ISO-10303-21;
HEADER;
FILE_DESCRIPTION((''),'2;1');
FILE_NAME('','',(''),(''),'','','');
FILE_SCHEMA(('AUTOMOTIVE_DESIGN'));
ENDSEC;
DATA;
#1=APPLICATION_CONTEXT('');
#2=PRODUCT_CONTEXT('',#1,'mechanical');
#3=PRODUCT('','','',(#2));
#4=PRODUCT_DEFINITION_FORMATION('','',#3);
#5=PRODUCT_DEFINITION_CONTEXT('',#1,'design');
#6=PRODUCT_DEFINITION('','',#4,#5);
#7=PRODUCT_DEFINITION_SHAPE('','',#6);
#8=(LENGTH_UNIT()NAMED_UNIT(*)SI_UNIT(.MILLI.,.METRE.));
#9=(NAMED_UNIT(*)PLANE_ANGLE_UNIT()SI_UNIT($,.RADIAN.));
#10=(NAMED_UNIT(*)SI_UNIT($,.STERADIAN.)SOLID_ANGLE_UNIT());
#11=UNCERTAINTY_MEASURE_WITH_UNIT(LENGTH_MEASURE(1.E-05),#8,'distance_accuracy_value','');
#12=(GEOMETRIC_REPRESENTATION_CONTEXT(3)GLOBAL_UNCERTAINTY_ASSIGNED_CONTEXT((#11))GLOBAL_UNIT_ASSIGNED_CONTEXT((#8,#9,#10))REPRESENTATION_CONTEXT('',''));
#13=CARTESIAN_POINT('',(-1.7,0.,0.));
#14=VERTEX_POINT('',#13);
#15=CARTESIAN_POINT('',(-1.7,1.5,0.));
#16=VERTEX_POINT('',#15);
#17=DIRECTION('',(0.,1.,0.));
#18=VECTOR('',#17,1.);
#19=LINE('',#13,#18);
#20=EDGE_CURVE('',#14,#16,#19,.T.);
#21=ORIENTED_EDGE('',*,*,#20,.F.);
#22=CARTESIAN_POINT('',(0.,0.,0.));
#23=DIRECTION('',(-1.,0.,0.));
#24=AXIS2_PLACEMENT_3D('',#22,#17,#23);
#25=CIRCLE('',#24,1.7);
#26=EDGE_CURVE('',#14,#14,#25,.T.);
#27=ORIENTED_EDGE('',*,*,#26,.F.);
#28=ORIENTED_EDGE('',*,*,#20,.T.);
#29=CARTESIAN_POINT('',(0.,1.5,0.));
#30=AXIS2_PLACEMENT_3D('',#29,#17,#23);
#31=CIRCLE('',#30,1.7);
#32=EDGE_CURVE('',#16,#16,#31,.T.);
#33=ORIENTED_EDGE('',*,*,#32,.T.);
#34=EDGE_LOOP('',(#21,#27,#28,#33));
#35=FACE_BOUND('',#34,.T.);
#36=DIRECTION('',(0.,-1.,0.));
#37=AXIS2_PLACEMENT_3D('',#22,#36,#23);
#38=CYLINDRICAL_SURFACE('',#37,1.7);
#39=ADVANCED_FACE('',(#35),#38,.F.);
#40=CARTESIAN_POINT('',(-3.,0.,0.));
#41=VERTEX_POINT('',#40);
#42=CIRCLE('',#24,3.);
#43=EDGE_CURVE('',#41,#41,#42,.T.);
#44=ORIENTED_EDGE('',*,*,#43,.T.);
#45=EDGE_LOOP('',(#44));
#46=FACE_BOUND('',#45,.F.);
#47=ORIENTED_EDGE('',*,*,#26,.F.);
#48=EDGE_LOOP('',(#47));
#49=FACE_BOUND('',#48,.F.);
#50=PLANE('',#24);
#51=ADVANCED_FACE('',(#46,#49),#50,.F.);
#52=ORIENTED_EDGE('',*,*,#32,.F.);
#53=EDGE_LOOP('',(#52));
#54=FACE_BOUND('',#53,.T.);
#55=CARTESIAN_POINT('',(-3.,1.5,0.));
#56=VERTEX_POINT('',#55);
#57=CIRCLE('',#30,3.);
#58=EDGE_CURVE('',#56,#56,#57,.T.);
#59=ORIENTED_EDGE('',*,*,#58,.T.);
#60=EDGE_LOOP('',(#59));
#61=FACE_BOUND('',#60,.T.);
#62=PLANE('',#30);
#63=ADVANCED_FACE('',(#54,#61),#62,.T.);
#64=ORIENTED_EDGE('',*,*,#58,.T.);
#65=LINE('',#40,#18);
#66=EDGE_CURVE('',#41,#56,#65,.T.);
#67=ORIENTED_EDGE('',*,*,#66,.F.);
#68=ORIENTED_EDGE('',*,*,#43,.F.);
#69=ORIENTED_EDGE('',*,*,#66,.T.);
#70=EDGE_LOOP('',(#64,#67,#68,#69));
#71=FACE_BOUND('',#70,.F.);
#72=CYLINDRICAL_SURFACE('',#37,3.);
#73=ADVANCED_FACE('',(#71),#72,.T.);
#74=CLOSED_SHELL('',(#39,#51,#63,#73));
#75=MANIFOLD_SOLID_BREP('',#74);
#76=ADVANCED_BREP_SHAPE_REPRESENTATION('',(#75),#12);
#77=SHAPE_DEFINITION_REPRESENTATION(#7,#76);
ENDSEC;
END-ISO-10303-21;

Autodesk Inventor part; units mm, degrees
ref_plane "YZ Plane" through (0, 0, 0) normal (1, 0, 0) x (0, 1, 0)
ref_plane "XZ Plane" through (0, 0, 0) normal (0, 1, 0) x (-1, 0, 0)
ref_plane "XY Plane" through (0, 0, 0) normal (0, 0, 1) x (1, 0, 0)
sketch "Boceto1" plane through (0, 0, 0) normal (0, 1, 0) x (-1, 0, 0)
  circle A0 centre (0, 0) radius 1.7
  circle A1 centre (0, 0) radius 3
  dimension "d0" = 6
  dimension "d1" = 3.4
extrude "Extrusión1" add sketch "Boceto1" along normal blind 1.5
properties part number "Separator"
